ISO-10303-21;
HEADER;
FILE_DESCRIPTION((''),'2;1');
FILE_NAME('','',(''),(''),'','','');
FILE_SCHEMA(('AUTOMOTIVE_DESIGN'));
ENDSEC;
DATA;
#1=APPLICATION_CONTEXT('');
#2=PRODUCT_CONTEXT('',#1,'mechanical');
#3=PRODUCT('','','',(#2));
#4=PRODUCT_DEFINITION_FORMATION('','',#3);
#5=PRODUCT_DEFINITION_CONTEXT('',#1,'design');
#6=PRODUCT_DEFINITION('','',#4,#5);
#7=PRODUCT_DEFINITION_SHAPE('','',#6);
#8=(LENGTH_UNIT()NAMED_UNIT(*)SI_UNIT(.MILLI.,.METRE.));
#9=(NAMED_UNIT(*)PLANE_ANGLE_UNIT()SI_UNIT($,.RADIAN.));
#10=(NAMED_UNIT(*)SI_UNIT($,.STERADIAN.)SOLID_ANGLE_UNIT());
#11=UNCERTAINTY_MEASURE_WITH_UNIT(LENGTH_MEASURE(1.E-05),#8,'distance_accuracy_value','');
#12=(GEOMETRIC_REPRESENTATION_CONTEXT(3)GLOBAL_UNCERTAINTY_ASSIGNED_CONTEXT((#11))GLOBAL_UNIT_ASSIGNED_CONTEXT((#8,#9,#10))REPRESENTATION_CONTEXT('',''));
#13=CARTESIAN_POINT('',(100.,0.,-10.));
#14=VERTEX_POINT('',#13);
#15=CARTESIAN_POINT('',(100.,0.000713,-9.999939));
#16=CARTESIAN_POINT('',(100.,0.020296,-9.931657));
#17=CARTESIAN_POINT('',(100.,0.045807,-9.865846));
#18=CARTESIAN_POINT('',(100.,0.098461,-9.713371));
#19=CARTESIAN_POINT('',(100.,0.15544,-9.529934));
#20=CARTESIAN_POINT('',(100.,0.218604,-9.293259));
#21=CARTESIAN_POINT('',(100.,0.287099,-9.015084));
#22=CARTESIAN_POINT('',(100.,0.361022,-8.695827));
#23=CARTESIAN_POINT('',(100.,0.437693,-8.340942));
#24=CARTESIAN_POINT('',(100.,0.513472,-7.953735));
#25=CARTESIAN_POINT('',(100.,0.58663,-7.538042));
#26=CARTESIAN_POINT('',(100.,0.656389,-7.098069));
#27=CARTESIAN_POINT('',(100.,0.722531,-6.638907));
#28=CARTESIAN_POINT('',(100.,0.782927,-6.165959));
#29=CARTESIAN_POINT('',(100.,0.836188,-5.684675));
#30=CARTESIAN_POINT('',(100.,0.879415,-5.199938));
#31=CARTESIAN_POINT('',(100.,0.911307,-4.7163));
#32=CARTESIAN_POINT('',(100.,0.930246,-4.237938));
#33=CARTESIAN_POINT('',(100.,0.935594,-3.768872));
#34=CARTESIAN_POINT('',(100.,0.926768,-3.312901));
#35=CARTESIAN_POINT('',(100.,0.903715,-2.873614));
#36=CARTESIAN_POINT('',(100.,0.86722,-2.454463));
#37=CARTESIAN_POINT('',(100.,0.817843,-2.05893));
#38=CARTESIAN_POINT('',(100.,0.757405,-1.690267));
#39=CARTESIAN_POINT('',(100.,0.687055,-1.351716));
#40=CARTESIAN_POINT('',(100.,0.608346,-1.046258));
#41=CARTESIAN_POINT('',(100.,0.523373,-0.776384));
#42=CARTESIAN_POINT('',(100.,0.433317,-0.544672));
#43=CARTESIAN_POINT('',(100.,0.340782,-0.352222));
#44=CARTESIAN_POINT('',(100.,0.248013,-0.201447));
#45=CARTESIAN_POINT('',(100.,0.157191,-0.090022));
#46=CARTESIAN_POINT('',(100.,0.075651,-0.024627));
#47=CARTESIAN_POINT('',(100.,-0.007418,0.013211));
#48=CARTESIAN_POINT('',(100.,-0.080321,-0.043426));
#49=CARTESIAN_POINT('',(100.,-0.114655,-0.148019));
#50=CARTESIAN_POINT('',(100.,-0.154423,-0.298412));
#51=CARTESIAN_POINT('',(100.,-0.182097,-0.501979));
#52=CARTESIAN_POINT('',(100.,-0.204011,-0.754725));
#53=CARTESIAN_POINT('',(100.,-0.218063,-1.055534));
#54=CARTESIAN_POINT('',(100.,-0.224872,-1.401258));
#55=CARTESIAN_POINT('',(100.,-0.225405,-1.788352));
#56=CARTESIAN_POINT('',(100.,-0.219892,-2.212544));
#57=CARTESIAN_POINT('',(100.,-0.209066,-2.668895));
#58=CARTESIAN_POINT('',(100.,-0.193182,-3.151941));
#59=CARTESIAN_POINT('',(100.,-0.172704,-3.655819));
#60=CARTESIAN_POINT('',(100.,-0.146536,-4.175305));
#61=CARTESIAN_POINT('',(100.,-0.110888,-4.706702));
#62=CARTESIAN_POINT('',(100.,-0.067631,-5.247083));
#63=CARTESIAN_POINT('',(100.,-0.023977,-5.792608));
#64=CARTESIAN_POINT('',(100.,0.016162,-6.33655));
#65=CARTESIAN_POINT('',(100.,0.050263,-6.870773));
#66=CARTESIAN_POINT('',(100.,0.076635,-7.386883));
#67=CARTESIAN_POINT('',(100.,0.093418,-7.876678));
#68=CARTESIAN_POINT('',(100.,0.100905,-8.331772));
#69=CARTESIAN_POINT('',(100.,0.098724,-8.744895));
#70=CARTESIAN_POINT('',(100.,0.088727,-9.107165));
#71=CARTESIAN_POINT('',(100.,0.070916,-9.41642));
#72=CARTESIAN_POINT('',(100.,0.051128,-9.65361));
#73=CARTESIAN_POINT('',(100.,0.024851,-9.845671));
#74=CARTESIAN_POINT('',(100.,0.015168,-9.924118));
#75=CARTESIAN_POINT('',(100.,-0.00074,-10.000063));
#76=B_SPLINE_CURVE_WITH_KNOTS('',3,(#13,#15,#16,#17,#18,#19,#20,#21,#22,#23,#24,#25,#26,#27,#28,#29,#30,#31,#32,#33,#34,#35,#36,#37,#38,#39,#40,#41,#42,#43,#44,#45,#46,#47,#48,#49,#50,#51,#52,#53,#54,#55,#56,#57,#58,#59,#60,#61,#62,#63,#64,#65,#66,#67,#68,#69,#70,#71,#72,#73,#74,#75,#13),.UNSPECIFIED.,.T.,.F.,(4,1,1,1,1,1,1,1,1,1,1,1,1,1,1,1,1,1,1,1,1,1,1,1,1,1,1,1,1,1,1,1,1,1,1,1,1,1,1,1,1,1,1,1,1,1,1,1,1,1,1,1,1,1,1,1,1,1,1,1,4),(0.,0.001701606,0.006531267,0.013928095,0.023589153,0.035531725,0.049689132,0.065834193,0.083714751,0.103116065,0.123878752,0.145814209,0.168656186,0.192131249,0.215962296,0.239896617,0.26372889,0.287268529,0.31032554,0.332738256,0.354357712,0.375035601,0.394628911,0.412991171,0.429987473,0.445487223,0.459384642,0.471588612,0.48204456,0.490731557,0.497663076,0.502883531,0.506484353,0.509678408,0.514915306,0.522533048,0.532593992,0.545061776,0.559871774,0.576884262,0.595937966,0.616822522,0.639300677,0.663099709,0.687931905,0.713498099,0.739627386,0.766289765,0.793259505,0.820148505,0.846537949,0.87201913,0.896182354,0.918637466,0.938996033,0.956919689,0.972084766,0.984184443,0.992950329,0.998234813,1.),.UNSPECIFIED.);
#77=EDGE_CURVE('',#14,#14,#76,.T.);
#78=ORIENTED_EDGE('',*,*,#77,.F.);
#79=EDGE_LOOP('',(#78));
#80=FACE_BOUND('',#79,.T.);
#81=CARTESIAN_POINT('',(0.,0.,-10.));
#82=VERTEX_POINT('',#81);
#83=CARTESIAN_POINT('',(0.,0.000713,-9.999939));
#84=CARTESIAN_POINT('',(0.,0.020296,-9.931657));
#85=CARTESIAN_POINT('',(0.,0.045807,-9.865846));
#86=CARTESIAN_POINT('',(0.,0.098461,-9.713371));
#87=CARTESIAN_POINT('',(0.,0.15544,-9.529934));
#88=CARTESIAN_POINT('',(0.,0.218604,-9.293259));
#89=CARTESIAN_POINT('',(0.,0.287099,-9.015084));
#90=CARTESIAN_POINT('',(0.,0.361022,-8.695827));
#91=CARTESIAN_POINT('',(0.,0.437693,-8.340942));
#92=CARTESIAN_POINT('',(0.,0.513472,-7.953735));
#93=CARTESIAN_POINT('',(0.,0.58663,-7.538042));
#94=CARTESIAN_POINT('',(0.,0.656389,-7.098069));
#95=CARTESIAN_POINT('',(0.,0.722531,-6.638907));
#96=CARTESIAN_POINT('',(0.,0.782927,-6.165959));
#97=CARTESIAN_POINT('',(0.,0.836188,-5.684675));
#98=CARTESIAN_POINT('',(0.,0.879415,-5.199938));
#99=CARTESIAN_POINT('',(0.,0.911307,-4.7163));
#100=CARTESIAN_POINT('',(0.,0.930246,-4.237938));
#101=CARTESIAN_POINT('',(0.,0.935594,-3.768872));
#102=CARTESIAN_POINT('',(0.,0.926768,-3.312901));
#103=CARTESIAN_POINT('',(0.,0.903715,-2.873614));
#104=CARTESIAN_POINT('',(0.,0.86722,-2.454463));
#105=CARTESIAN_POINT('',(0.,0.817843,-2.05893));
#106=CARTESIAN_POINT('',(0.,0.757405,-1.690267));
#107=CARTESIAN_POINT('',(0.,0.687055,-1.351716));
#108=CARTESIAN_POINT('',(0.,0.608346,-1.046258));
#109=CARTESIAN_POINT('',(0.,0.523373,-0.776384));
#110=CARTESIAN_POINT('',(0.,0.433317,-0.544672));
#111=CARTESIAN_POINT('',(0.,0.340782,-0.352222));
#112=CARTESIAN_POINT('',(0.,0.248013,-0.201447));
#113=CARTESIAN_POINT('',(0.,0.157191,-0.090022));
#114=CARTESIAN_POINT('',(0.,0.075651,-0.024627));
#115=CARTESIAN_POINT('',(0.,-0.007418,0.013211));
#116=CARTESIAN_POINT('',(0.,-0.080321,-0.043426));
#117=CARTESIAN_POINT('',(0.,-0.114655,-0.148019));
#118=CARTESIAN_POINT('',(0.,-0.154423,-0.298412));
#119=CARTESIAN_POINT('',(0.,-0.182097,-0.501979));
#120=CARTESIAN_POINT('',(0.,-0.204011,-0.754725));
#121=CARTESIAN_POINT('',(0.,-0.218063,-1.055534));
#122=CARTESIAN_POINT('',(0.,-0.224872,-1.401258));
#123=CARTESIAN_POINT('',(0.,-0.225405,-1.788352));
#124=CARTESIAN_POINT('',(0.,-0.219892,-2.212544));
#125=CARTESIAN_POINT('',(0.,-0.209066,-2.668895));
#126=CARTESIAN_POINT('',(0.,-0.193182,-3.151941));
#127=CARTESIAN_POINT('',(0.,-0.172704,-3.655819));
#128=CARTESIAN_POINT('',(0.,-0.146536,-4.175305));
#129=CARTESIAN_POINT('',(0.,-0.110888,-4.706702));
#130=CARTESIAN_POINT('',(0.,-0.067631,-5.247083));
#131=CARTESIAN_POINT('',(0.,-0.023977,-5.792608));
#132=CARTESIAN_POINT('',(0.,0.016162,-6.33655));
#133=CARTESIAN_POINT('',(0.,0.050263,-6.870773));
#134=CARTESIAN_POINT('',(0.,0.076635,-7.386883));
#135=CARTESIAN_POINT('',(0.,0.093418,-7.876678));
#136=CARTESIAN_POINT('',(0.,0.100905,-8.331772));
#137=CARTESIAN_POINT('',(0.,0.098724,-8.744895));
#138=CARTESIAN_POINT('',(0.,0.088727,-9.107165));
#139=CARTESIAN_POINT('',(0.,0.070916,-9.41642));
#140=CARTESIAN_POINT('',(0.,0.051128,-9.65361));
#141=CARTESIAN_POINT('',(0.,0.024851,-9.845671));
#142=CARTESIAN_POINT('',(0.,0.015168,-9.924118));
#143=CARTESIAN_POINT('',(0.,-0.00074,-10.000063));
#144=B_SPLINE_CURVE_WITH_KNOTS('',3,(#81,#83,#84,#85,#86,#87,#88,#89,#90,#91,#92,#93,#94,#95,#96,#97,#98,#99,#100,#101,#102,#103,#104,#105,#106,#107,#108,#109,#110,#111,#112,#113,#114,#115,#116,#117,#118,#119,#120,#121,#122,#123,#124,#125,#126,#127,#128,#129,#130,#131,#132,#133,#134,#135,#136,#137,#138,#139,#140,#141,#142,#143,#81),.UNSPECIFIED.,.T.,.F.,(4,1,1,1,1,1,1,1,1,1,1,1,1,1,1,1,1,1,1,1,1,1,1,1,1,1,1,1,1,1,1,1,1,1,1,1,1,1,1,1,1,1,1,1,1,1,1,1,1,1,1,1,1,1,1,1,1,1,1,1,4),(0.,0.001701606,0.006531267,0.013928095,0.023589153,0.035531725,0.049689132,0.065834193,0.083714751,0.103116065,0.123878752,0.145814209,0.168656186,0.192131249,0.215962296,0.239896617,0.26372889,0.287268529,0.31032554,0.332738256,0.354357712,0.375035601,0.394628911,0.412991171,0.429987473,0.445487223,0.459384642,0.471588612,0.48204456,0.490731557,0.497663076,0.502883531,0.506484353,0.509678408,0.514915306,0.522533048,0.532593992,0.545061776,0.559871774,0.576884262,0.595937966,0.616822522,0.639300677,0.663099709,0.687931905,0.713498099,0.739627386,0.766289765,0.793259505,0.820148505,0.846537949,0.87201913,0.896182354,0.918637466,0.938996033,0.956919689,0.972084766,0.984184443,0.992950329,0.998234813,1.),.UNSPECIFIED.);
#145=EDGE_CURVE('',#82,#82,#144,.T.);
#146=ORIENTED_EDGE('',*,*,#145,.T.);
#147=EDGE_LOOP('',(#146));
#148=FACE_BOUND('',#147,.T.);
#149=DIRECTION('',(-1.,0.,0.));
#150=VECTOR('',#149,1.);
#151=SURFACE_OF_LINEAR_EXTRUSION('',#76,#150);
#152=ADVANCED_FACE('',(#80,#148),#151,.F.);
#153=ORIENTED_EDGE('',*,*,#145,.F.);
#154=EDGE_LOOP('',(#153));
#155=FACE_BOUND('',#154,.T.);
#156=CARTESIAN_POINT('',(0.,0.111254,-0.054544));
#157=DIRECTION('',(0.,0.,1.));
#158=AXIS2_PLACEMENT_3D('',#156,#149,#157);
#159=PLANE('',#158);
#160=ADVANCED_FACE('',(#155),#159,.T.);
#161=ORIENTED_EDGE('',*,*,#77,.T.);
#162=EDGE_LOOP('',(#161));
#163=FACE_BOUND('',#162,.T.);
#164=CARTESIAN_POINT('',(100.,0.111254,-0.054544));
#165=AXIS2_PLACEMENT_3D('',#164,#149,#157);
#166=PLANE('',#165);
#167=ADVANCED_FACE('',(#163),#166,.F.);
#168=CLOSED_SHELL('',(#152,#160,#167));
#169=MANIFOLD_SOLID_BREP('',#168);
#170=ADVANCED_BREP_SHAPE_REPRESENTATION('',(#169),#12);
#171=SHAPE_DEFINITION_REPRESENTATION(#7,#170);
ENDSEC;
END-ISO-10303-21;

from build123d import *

# Parameters (mm, degrees)
BOSS_EXTRUDE1_DEPTH = 100


with BuildPart() as part:
    # Sketch1 → Boss-Extrude1 (new body)
    with BuildSketch(Plane(origin=(0, 0, 0), x_dir=(0, 0, -1), z_dir=(1, 0, 0))):
        with BuildLine():
            add(Edge.make_bspline(
                [(10, 0), (9.999939419, 0.000713132), (9.931657133, 0.020296402), (9.865845652, 0.045806616), (9.713370732, 0.098461344), (9.529934496, 0.155440178), (9.293258869, 0.218603649), (9.01508352, 0.287099471), (8.695827492, 0.36102207), (8.340942082, 0.43769333), (7.953735436, 0.513471695), (7.538041551, 0.586629562), (7.098068971, 0.656388808), (6.638907056, 0.722531419), (6.165958557, 0.782926954), (5.684675088, 0.836187714), (5.199937915, 0.879415237), (4.71629954, 0.911307468), (4.237937605, 0.930246437), (3.768871947, 0.935594449), (3.312900558, 0.926767535), (2.873614073, 0.903714805), (2.454462981, 0.86721996), (2.058929888, 0.817843427), (1.690267454, 0.757404767), (1.351716138, 0.687055298), (1.046257835, 0.60834613), (0.776384475, 0.523373057), (0.544671566, 0.433317228), (0.352222267, 0.340782127), (0.201446652, 0.248013088), (0.090021503, 0.157191328), (0.024627487, 0.075651156), (-0.013210507, -0.007418082), (0.04342594, -0.08032133), (0.148019106, -0.114655335), (0.298411848, -0.154423122), (0.50197863, -0.18209697), (0.754724851, -0.204011204), (1.055533574, -0.218063094), (1.401258269, -0.224872078), (1.788351726, -0.225405077), (2.21254414, -0.219892262), (2.668894662, -0.20906592), (3.151941089, -0.193182014), (3.65581937, -0.172704407), (4.175305117, -0.146536268), (4.706701885, -0.110887509), (5.247082717, -0.067630797), (5.792608401, -0.023977338), (6.336549917, 0.01616236), (6.870772921, 0.05026314), (7.386883, 0.076634755), (7.87667775, 0.093417535), (8.331771913, 0.100905324), (8.74489496, 0.098723644), (9.107165293, 0.088726635), (9.416420138, 0.070916203), (9.653610181, 0.051127952), (9.845670958, 0.02485104), (9.924118228, 0.015168355), (10.000062844, -0.000739778), (10, 0)],
                knots=[0, 0, 0, 0, 0.001701606, 0.006531267, 0.013928095, 0.023589153, 0.035531725, 0.049689132, 0.065834193, 0.083714751, 0.103116065, 0.123878752, 0.145814209, 0.168656186, 0.192131249, 0.215962296, 0.239896617, 0.26372889, 0.287268529, 0.31032554, 0.332738256, 0.354357712, 0.375035601, 0.394628911, 0.412991171, 0.429987473, 0.445487223, 0.459384642, 0.471588612, 0.48204456, 0.490731557, 0.497663076, 0.502883531, 0.506484353, 0.509678408, 0.514915306, 0.522533048, 0.532593992, 0.545061776, 0.559871774, 0.576884262, 0.595937966, 0.616822522, 0.639300677, 0.663099709, 0.687931905, 0.713498099, 0.739627386, 0.766289765, 0.793259505, 0.820148505, 0.846537949, 0.87201913, 0.896182354, 0.918637466, 0.938996033, 0.956919689, 0.972084766, 0.984184443, 0.992950329, 0.998234813, 1, 1, 1, 1], degree=3))
        make_face()
    extrude(amount=BOSS_EXTRUDE1_DEPTH)


solid = part.part
